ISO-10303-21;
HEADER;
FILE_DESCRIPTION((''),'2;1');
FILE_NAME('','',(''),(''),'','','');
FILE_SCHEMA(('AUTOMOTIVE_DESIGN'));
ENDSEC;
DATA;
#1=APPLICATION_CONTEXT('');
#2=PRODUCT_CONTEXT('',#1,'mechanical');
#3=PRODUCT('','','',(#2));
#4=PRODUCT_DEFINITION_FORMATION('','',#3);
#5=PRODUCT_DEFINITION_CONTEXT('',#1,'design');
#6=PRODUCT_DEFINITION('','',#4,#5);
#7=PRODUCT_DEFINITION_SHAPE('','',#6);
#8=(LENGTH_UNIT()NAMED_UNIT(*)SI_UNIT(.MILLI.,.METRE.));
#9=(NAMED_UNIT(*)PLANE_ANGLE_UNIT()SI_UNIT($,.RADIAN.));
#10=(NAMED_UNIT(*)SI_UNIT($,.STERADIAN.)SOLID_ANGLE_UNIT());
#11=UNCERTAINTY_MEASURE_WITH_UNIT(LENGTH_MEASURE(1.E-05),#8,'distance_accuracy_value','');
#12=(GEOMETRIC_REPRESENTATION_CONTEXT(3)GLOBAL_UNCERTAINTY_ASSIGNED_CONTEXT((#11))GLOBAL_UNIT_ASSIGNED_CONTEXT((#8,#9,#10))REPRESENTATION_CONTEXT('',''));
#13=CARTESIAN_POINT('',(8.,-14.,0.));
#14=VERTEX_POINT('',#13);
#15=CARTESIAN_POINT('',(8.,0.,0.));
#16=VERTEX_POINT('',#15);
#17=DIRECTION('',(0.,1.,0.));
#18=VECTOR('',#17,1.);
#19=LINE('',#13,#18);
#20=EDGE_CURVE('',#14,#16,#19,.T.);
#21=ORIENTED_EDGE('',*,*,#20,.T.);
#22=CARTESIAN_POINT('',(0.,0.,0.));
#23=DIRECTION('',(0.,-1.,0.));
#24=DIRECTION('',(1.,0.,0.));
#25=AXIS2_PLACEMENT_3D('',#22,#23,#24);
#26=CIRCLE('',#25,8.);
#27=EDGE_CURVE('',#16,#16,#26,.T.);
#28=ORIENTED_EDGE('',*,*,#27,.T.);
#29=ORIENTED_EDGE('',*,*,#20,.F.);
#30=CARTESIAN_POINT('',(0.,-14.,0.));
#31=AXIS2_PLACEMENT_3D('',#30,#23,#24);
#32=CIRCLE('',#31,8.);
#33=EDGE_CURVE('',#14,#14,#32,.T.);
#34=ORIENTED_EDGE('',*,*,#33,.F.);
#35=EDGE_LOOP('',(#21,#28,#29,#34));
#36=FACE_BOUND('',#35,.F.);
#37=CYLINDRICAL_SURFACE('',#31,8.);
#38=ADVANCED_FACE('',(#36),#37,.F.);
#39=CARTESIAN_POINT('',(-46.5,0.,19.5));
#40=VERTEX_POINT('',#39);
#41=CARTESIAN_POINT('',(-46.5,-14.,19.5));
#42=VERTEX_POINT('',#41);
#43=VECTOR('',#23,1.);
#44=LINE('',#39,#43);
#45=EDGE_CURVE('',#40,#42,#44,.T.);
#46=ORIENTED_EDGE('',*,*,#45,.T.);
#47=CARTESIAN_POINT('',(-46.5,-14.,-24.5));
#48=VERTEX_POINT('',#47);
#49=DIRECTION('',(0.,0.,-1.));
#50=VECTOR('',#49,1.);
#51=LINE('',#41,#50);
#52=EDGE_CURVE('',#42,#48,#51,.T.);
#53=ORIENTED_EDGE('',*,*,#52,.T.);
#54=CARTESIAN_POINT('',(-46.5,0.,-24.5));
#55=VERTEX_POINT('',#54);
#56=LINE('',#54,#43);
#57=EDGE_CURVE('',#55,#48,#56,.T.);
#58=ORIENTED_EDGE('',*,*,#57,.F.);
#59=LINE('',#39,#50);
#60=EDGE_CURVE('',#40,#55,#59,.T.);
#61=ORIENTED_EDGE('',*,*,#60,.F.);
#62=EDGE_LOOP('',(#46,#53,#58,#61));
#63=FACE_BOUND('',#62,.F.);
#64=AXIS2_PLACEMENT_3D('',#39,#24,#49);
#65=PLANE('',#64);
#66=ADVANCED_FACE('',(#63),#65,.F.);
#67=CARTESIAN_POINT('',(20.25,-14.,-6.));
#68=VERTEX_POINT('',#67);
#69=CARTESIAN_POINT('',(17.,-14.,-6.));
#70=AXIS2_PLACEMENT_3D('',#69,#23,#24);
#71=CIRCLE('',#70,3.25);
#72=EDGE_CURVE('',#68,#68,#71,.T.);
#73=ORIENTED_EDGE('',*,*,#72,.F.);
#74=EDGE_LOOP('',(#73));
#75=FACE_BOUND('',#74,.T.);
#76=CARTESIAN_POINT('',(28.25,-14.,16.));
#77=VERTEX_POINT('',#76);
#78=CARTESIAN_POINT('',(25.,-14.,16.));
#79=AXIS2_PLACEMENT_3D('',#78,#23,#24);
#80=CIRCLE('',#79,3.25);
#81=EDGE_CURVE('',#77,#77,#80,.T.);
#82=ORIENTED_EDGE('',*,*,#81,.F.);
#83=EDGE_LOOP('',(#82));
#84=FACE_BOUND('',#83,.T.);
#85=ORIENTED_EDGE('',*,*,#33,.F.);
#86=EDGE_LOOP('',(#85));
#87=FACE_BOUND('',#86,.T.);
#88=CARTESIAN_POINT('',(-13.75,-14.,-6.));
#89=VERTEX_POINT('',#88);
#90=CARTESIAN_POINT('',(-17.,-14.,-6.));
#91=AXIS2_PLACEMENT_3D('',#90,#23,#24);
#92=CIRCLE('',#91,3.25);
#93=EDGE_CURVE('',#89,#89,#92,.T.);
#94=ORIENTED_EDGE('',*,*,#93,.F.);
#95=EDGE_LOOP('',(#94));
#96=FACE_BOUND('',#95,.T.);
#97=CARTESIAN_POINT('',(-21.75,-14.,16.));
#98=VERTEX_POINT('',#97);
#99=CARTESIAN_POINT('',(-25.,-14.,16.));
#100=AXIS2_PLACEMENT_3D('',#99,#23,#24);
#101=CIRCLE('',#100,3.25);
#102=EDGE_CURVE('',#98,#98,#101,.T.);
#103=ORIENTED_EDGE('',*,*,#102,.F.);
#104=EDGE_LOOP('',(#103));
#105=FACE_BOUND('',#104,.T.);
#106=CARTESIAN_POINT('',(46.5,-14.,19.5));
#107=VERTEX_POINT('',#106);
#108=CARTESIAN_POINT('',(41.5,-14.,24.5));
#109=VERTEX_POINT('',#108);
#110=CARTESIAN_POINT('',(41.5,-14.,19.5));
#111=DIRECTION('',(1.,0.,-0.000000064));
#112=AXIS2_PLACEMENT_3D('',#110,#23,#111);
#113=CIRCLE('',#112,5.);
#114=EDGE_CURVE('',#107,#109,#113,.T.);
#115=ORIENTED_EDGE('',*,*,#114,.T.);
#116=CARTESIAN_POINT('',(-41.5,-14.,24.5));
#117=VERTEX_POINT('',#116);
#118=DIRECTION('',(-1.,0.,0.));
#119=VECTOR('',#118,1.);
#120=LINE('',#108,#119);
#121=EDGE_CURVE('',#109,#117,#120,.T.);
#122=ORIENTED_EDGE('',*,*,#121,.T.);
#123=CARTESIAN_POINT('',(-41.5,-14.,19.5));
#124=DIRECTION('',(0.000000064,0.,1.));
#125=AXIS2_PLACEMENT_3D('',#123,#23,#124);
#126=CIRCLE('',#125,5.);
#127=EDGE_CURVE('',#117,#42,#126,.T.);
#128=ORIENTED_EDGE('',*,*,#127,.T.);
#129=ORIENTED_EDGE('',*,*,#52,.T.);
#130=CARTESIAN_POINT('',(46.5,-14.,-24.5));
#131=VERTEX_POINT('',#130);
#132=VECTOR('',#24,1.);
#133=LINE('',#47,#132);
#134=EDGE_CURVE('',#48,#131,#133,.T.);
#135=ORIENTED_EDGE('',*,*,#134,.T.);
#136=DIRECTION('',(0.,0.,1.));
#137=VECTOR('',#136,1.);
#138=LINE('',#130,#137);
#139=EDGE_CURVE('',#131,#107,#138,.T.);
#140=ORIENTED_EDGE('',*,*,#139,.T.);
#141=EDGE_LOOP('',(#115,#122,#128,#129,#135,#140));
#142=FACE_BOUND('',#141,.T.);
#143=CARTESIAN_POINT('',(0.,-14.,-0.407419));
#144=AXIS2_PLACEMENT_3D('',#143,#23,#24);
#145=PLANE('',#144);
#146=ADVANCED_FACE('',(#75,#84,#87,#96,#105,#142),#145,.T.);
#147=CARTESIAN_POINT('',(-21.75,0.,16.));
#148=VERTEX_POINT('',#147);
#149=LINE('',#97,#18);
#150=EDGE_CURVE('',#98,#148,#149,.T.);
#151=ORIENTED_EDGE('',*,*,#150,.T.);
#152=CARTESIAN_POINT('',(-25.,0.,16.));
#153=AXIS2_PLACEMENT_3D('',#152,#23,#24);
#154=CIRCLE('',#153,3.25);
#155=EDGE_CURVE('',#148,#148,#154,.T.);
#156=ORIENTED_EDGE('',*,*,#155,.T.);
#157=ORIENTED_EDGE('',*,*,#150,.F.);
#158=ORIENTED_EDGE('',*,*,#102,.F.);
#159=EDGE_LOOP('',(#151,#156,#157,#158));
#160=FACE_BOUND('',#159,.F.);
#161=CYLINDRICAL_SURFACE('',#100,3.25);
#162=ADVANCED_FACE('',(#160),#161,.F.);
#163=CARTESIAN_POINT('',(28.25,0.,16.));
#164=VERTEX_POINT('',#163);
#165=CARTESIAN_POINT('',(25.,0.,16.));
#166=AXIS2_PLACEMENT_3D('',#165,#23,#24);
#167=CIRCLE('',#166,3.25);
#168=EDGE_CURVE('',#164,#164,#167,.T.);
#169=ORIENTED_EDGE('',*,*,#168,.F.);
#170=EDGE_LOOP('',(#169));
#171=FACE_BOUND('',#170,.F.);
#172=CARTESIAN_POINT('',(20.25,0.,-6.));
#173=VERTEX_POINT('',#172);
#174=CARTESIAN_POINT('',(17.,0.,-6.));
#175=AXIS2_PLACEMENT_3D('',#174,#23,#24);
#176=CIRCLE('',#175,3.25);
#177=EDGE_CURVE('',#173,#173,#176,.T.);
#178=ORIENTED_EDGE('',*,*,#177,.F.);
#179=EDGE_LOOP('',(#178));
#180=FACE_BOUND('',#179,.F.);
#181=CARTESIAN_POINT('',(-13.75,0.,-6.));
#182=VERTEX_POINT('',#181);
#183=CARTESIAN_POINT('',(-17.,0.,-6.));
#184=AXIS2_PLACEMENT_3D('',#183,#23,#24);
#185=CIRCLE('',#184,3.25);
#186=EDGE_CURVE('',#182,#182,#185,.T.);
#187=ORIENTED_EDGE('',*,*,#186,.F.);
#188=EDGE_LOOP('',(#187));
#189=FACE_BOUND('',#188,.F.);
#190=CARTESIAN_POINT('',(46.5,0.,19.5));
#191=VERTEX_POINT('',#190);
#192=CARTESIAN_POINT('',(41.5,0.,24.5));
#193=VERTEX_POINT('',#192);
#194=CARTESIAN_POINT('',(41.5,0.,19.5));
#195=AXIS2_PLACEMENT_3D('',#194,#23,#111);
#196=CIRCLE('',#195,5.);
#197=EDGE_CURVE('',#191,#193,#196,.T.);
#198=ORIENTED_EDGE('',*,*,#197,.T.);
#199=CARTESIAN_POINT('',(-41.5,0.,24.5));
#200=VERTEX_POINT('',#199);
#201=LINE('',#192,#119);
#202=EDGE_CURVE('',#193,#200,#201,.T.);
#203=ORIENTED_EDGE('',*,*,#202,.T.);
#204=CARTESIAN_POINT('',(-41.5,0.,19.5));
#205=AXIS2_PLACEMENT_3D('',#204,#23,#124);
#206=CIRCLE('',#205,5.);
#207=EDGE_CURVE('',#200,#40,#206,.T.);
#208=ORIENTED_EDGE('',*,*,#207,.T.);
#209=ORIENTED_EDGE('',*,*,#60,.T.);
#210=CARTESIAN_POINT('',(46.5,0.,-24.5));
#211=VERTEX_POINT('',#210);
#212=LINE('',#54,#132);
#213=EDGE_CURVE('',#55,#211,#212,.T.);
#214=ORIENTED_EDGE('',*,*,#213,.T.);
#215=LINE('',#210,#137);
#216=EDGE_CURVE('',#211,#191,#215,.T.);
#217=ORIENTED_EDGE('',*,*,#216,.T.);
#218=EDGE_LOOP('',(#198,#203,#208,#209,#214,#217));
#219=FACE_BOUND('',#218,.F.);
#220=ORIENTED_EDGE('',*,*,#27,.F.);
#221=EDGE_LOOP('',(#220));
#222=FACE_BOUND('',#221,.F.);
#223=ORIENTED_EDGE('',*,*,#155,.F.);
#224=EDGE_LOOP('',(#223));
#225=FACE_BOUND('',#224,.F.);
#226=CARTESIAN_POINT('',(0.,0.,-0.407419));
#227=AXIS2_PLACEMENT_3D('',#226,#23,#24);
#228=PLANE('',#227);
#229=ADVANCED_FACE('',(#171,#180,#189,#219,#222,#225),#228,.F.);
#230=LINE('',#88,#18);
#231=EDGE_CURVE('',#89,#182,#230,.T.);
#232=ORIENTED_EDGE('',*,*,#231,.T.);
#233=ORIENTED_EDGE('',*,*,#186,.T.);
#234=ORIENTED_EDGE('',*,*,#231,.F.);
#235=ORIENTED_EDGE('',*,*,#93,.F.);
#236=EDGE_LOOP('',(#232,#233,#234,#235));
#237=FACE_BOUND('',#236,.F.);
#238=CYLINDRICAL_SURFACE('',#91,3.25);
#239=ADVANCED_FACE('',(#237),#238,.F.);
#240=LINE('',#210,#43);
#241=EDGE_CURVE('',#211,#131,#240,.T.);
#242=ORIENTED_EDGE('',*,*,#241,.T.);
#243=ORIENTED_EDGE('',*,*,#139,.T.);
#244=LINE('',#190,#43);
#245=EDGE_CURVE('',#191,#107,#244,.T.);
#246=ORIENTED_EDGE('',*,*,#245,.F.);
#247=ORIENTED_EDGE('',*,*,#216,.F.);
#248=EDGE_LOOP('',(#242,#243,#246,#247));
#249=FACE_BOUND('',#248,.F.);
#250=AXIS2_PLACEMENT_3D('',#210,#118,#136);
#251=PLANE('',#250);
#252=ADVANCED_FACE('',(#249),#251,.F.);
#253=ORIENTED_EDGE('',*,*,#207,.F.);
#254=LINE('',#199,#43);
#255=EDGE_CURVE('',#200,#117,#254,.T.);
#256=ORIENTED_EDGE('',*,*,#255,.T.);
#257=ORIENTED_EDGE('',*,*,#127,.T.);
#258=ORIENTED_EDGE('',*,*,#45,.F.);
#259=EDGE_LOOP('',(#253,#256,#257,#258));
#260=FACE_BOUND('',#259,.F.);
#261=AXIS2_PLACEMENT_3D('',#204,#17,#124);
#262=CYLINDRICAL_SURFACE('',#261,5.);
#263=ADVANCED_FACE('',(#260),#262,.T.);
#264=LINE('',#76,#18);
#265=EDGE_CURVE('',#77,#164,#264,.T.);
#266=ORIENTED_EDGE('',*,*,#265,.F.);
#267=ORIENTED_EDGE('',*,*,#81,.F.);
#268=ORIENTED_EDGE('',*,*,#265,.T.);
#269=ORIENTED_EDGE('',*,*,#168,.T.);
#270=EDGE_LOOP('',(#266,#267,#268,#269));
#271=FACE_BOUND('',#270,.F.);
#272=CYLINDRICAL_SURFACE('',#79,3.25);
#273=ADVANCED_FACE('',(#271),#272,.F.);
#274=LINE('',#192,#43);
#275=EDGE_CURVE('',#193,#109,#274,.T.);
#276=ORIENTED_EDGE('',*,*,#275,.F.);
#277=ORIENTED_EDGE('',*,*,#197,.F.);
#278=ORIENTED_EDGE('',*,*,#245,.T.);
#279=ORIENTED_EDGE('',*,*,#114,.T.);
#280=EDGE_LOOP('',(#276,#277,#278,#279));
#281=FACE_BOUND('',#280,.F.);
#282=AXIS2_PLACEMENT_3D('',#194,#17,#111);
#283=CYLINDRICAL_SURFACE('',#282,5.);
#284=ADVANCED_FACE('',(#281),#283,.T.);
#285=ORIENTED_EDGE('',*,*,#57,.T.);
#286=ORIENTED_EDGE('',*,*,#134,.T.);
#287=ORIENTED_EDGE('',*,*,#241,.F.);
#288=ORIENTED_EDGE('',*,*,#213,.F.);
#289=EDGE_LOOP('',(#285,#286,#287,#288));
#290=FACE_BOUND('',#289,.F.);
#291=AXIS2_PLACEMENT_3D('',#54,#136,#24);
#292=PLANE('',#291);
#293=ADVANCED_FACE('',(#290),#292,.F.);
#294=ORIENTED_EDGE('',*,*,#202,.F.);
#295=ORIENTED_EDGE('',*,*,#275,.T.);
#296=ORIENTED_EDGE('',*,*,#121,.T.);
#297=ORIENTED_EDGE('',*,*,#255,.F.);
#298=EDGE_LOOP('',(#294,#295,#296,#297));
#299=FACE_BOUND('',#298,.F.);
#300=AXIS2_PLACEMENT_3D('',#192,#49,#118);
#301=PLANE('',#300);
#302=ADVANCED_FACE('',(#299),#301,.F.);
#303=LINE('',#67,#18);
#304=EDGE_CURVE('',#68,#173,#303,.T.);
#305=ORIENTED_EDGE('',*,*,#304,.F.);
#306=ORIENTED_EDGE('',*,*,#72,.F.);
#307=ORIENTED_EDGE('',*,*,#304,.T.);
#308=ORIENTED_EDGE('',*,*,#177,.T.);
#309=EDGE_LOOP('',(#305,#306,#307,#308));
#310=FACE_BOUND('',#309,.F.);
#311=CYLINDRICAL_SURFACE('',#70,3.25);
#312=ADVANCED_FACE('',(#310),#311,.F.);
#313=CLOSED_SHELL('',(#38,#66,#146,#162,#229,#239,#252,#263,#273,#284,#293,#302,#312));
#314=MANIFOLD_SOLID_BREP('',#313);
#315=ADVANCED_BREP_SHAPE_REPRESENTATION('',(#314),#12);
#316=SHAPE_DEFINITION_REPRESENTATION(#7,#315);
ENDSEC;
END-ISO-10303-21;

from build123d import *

# Parameters (mm, degrees)
F1_DEPTH = 14
F2_R     = 8
F2_R_2   = 3.25
F3_DEPTH = 14.001


with BuildPart() as f1:
    # F0 (on Front) → F1 (new body)
    with BuildSketch(Plane.XZ):
        with BuildLine():
            Line((-46.5, -24.5), (46.5, -24.5))
            Line((46.5, -24.5), (46.5, 19.5))
            ThreePointArc((46.5, 19.5), (45.035534, 23.035534), (41.5, 24.5))
            Line((41.5, 24.5), (-41.5, 24.5))
            ThreePointArc((-41.5, 24.5), (-45.035534, 23.035534), (-46.5, 19.5))
            Line((-46.5, 19.5), (-46.5, -24.5))
        make_face()
    extrude(amount=F1_DEPTH)

    # F2 (on face) → F3 (cut, through all)
    with BuildSketch(Plane.XZ.offset(14)):
        Circle(F2_R)
        with Locations((-17, -6)):
            Circle(F2_R_2)
        with Locations((-25, 16)):
            Circle(F2_R_2)
        with Locations((25, 16)):
            Circle(F2_R_2)
        with Locations((17, -6)):
            Circle(F2_R_2)
    extrude(amount=-F3_DEPTH, mode=Mode.SUBTRACT)


solid = f1.part
